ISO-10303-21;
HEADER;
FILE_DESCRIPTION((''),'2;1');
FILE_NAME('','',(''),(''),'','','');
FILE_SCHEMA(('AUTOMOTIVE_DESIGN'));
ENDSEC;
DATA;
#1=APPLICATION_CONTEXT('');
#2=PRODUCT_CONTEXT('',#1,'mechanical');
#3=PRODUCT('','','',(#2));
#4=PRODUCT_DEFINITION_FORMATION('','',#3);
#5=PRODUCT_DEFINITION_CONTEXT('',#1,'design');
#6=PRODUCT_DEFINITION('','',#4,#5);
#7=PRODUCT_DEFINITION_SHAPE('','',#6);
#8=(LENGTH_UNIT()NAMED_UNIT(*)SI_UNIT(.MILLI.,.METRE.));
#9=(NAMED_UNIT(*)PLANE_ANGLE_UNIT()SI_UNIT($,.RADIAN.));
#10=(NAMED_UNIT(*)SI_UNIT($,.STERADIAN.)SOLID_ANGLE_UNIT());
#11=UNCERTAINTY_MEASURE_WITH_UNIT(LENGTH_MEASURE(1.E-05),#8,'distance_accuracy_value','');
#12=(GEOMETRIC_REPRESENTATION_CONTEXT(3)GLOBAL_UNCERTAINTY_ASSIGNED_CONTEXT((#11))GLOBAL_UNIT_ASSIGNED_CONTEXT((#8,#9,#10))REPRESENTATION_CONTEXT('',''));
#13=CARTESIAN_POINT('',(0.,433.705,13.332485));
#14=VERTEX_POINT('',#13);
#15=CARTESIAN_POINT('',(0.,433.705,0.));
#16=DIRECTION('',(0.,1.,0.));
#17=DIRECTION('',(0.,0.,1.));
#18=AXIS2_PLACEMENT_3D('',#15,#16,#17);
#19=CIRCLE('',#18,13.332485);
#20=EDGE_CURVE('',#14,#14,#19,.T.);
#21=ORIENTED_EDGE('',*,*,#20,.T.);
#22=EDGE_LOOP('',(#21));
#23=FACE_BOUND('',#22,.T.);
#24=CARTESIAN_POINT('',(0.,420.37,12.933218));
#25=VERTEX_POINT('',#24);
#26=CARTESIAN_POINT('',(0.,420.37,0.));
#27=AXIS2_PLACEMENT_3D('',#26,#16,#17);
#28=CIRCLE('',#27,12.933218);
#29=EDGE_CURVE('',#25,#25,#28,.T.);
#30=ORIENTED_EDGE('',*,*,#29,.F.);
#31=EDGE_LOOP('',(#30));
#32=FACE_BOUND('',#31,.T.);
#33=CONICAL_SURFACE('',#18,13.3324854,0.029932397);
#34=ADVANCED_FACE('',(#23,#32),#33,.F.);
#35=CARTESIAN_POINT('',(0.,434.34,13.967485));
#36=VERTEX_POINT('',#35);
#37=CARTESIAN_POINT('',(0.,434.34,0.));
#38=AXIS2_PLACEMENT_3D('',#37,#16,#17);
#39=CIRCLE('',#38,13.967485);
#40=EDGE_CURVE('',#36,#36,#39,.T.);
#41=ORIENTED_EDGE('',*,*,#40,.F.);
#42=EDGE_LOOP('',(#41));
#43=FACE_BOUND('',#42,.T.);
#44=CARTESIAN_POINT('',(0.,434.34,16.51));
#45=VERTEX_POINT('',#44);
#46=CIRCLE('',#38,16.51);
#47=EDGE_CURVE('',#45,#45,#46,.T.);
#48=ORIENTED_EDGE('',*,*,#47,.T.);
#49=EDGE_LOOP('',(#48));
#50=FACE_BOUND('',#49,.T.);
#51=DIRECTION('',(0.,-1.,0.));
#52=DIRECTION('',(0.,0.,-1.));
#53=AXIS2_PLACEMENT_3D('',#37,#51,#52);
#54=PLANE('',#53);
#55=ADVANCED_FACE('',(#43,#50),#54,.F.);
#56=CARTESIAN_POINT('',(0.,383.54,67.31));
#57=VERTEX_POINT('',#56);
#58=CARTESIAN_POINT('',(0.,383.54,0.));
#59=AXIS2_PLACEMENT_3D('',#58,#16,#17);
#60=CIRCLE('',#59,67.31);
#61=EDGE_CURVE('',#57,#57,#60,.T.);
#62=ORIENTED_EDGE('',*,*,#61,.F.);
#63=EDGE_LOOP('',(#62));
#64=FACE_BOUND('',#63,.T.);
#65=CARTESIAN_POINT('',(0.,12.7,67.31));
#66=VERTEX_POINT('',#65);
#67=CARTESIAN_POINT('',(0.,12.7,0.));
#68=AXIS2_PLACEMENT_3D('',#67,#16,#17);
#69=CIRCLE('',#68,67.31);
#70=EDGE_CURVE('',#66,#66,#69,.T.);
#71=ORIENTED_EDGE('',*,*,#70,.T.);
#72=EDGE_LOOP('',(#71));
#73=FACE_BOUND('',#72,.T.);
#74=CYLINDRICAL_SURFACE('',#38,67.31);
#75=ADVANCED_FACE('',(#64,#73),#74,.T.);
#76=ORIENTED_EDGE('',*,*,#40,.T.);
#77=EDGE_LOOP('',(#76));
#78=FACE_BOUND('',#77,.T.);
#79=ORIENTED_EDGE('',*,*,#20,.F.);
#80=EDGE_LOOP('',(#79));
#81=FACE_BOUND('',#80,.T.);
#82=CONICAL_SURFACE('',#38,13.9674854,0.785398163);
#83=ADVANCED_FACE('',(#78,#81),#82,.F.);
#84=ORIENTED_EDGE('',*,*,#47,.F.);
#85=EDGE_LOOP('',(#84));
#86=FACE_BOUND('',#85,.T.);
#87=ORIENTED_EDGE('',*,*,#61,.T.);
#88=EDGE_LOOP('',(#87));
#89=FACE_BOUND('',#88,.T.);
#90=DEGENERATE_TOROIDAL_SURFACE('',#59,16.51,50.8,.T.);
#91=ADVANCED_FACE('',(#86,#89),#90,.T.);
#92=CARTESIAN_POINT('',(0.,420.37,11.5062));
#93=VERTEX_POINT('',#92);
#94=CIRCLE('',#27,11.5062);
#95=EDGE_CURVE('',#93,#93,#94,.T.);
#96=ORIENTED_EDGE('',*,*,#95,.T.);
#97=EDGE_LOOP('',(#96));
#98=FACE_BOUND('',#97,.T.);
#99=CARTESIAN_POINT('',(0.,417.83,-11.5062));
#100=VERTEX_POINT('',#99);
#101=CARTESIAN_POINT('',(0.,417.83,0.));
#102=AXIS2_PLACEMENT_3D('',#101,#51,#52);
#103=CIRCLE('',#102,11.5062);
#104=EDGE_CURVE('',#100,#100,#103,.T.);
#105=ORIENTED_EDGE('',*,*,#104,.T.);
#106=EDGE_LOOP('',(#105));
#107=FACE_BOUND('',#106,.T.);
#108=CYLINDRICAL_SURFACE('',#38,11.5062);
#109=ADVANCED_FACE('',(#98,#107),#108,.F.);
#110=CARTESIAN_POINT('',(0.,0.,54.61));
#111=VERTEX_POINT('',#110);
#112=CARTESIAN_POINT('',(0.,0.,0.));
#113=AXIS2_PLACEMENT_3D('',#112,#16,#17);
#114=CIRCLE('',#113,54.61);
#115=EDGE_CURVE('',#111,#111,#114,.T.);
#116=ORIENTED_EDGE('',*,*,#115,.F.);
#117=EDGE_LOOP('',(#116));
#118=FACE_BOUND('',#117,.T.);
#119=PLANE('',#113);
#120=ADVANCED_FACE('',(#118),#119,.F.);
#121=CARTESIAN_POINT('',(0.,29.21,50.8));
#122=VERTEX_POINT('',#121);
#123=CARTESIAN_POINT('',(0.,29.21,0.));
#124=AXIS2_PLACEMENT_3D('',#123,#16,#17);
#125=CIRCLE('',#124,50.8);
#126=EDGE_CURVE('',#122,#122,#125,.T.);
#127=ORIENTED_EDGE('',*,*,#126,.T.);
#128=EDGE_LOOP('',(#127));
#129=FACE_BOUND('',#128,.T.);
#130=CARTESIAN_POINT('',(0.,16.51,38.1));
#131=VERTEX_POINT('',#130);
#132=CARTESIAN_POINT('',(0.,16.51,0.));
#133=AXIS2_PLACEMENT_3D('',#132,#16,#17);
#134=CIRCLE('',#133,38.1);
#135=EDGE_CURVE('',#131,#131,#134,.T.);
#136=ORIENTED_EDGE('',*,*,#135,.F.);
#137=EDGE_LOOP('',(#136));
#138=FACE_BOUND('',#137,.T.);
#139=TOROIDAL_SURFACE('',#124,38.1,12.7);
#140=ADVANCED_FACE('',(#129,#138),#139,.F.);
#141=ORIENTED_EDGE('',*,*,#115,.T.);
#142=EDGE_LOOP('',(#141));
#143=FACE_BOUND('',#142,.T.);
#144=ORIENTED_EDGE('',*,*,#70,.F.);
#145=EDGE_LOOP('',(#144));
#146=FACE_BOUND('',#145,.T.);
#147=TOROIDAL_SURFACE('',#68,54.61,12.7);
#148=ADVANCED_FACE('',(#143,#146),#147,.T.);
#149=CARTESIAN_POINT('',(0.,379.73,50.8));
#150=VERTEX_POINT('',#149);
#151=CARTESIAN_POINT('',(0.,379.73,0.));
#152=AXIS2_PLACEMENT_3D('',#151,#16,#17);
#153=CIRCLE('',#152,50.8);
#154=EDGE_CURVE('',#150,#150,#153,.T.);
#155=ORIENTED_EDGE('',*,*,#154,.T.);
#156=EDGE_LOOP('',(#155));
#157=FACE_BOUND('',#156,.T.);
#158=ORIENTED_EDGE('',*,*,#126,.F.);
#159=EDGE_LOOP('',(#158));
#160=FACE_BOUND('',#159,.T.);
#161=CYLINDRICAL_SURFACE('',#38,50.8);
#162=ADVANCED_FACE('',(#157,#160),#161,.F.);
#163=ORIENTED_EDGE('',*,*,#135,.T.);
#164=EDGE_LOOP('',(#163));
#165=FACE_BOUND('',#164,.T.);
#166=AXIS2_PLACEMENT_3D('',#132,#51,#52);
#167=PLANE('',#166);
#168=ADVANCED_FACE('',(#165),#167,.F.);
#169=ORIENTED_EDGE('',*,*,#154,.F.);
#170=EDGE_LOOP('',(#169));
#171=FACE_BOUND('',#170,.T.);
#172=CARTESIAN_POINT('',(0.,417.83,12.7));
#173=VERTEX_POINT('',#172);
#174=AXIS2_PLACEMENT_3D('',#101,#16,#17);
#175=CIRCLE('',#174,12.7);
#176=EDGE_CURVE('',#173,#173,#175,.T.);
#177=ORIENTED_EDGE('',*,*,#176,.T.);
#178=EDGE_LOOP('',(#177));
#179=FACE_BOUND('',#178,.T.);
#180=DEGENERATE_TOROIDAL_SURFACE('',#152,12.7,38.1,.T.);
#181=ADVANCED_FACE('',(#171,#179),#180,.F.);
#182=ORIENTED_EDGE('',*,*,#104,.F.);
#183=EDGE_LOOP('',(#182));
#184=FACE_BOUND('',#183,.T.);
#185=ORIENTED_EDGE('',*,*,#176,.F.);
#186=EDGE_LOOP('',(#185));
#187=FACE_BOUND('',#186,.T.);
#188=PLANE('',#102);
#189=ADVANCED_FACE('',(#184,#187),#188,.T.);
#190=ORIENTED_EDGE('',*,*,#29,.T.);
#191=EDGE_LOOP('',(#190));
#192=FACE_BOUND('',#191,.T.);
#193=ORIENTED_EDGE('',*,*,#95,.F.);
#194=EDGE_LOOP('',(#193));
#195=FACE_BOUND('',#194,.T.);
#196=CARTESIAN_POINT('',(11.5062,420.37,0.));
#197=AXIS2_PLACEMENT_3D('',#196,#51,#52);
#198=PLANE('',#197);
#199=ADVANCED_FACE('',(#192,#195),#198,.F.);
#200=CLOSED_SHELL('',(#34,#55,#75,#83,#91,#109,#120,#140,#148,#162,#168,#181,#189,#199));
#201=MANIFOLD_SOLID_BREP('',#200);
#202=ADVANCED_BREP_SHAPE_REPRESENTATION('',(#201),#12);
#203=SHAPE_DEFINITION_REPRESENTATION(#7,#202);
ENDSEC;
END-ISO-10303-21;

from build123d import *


with BuildPart() as part:
    # Sketch4 → Revolve1 (revolve)
    with BuildSketch(Plane(origin=(0, 0, 0), x_dir=(0, 0, -1), z_dir=(1, 0, 0))):
        with BuildLine():
            Line((-54.61, 0), (0, 0))
            Line((0, 0), (0, 16.51))
            Line((0, 16.51), (-38.1, 16.51))
            ThreePointArc((-38.1, 16.51), (-47.080256121, 20.229743879), (-50.8, 29.21))
            Line((-50.8, 29.21), (-50.8, 379.73))
            ThreePointArc((-50.8, 379.73), (-39.640768363, 406.670768363), (-12.7, 417.83))
            Line((-12.7, 417.83), (0, 417.83))
            Line((0, 417.83), (0, 434.34))
            Line((0, 434.34), (-16.51, 434.34))
            ThreePointArc((-16.51, 434.34), (-52.431024484, 419.461024484), (-67.31, 383.54))
            Line((-67.31, 383.54), (-67.31, 12.7))
            ThreePointArc((-67.31, 12.7), (-63.590256121, 3.719743879), (-54.61, 0))
        make_face()
    revolve(axis=Axis((0, 434.34, 0), (0, -1, 0)))

    # Sketch6 → 3/4 NPT Tapped Hole2 (revolve, cut)
    with BuildSketch(Plane(origin=(0, 434.34, 0), x_dir=(0, 0, 1), z_dir=(1, 0, 0))):
        Polygon((0, 0), (0, 30.027622455), (11.5062, 23.114), (11.5062, 13.97), (12.933217642, 13.97), (13.3324854, 0.635), (13.9674854, 0), align=None)
    revolve(axis=Axis((0, 440.69, 0), (0, -1, 0)), mode=Mode.SUBTRACT)


solid = part.part
